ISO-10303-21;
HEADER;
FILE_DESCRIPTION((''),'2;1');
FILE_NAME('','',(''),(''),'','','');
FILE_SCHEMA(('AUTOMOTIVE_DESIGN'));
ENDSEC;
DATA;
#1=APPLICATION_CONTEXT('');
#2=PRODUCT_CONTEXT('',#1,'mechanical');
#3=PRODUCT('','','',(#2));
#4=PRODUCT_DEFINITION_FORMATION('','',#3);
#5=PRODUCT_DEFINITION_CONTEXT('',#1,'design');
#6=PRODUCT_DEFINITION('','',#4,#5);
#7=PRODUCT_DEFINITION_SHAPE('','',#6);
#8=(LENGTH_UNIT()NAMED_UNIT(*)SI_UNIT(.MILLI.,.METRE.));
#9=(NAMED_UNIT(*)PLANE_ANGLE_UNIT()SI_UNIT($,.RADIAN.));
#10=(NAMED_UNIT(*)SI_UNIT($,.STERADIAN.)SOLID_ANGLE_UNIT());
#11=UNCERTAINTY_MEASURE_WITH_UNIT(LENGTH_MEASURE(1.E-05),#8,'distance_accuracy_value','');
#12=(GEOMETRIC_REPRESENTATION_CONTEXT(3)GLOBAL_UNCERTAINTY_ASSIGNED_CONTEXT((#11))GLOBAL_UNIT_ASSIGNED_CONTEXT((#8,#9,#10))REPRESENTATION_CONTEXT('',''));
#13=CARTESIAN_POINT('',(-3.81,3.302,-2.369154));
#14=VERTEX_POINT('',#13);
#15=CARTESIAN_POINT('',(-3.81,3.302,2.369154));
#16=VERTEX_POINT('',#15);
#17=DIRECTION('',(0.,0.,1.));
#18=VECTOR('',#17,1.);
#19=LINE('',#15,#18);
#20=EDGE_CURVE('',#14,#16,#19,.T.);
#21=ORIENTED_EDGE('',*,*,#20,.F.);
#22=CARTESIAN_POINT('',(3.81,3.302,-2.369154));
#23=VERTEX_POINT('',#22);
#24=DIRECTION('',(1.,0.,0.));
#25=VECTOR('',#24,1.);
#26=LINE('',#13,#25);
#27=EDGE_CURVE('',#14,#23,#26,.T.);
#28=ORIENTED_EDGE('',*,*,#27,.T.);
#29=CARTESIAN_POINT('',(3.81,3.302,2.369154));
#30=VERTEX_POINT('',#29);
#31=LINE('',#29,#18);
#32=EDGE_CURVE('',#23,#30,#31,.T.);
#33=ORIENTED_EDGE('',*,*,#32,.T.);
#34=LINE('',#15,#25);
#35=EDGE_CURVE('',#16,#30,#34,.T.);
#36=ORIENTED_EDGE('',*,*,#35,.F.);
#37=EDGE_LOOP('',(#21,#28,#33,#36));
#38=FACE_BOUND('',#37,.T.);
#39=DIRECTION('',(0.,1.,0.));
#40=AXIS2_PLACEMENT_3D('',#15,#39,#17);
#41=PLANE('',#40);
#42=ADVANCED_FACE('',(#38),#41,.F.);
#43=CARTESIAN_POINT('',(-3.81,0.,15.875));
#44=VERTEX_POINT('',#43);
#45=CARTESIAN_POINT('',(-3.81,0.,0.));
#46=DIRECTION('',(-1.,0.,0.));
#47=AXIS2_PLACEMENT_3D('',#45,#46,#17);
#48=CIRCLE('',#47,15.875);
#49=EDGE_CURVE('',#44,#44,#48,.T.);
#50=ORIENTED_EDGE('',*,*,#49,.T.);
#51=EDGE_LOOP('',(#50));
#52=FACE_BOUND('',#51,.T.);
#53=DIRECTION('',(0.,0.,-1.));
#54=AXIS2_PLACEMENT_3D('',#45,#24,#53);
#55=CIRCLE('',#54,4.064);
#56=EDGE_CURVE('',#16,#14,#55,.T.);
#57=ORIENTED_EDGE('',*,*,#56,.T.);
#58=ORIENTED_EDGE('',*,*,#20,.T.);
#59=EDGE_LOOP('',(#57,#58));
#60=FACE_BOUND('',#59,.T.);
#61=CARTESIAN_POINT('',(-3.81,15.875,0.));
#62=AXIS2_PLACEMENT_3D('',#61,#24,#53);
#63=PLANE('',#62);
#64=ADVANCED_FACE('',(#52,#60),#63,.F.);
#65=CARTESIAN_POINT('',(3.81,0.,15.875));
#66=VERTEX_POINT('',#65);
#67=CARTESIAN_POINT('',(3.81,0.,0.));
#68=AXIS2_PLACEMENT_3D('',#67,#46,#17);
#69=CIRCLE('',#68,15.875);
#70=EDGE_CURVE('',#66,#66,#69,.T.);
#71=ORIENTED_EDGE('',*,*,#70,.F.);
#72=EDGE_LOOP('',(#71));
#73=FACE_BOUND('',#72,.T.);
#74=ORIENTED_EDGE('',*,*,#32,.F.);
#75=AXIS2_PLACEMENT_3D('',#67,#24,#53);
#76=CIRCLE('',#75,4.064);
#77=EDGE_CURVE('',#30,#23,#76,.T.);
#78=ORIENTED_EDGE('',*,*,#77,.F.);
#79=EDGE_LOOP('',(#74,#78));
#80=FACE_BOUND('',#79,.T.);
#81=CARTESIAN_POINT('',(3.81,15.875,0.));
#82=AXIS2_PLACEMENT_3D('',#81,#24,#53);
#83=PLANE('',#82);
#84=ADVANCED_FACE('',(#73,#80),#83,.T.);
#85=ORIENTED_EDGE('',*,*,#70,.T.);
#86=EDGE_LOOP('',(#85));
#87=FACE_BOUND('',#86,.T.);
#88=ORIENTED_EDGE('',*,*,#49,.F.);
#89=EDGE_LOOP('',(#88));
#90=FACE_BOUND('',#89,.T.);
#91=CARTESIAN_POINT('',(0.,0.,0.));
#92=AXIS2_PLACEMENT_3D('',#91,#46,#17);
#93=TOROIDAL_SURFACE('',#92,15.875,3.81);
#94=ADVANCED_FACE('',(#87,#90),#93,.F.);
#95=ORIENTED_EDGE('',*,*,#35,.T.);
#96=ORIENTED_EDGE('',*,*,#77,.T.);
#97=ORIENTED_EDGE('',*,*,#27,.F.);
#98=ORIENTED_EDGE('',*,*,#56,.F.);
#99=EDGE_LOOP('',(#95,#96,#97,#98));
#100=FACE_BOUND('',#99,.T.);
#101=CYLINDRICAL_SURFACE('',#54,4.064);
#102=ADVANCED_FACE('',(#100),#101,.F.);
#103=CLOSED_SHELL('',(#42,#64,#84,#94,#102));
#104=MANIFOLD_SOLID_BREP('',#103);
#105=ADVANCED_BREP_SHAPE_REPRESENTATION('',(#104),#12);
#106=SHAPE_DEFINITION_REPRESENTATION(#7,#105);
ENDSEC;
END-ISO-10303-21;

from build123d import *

# Parameters (mm, degrees)
CUT_EXTRUDE1_DEPTH = 8.62


with BuildPart() as part:
    # Sketch1 → Revolve1 (revolve)
    with BuildSketch(Plane.XY):
        with BuildLine():
            Line((-3.81, 15.875), (-3.81, 0))
            Line((-3.81, 0), (3.81, 0))
            Line((3.81, 0), (3.81, 15.875))
            ThreePointArc((3.81, 15.875), (0, 12.065), (-3.81, 15.875))
        make_face()
    revolve(axis=Axis((-3.81, 0, 0), (1, 0, 0)))

    # Sketch2 → Cut-Extrude1 (cut, through all)
    with BuildSketch(Plane(origin=(3.81, 0, 0), x_dir=(0, 0, -1), z_dir=(1, 0, 0))):
        with BuildLine():
            Line((-2.369154279, 3.302), (2.369154279, 3.302))
            ThreePointArc((2.369154279, 3.302), (0, -4.064), (-2.369154279, 3.302))
        make_face()
    extrude(amount=-CUT_EXTRUDE1_DEPTH, mode=Mode.SUBTRACT)


solid = part.part
